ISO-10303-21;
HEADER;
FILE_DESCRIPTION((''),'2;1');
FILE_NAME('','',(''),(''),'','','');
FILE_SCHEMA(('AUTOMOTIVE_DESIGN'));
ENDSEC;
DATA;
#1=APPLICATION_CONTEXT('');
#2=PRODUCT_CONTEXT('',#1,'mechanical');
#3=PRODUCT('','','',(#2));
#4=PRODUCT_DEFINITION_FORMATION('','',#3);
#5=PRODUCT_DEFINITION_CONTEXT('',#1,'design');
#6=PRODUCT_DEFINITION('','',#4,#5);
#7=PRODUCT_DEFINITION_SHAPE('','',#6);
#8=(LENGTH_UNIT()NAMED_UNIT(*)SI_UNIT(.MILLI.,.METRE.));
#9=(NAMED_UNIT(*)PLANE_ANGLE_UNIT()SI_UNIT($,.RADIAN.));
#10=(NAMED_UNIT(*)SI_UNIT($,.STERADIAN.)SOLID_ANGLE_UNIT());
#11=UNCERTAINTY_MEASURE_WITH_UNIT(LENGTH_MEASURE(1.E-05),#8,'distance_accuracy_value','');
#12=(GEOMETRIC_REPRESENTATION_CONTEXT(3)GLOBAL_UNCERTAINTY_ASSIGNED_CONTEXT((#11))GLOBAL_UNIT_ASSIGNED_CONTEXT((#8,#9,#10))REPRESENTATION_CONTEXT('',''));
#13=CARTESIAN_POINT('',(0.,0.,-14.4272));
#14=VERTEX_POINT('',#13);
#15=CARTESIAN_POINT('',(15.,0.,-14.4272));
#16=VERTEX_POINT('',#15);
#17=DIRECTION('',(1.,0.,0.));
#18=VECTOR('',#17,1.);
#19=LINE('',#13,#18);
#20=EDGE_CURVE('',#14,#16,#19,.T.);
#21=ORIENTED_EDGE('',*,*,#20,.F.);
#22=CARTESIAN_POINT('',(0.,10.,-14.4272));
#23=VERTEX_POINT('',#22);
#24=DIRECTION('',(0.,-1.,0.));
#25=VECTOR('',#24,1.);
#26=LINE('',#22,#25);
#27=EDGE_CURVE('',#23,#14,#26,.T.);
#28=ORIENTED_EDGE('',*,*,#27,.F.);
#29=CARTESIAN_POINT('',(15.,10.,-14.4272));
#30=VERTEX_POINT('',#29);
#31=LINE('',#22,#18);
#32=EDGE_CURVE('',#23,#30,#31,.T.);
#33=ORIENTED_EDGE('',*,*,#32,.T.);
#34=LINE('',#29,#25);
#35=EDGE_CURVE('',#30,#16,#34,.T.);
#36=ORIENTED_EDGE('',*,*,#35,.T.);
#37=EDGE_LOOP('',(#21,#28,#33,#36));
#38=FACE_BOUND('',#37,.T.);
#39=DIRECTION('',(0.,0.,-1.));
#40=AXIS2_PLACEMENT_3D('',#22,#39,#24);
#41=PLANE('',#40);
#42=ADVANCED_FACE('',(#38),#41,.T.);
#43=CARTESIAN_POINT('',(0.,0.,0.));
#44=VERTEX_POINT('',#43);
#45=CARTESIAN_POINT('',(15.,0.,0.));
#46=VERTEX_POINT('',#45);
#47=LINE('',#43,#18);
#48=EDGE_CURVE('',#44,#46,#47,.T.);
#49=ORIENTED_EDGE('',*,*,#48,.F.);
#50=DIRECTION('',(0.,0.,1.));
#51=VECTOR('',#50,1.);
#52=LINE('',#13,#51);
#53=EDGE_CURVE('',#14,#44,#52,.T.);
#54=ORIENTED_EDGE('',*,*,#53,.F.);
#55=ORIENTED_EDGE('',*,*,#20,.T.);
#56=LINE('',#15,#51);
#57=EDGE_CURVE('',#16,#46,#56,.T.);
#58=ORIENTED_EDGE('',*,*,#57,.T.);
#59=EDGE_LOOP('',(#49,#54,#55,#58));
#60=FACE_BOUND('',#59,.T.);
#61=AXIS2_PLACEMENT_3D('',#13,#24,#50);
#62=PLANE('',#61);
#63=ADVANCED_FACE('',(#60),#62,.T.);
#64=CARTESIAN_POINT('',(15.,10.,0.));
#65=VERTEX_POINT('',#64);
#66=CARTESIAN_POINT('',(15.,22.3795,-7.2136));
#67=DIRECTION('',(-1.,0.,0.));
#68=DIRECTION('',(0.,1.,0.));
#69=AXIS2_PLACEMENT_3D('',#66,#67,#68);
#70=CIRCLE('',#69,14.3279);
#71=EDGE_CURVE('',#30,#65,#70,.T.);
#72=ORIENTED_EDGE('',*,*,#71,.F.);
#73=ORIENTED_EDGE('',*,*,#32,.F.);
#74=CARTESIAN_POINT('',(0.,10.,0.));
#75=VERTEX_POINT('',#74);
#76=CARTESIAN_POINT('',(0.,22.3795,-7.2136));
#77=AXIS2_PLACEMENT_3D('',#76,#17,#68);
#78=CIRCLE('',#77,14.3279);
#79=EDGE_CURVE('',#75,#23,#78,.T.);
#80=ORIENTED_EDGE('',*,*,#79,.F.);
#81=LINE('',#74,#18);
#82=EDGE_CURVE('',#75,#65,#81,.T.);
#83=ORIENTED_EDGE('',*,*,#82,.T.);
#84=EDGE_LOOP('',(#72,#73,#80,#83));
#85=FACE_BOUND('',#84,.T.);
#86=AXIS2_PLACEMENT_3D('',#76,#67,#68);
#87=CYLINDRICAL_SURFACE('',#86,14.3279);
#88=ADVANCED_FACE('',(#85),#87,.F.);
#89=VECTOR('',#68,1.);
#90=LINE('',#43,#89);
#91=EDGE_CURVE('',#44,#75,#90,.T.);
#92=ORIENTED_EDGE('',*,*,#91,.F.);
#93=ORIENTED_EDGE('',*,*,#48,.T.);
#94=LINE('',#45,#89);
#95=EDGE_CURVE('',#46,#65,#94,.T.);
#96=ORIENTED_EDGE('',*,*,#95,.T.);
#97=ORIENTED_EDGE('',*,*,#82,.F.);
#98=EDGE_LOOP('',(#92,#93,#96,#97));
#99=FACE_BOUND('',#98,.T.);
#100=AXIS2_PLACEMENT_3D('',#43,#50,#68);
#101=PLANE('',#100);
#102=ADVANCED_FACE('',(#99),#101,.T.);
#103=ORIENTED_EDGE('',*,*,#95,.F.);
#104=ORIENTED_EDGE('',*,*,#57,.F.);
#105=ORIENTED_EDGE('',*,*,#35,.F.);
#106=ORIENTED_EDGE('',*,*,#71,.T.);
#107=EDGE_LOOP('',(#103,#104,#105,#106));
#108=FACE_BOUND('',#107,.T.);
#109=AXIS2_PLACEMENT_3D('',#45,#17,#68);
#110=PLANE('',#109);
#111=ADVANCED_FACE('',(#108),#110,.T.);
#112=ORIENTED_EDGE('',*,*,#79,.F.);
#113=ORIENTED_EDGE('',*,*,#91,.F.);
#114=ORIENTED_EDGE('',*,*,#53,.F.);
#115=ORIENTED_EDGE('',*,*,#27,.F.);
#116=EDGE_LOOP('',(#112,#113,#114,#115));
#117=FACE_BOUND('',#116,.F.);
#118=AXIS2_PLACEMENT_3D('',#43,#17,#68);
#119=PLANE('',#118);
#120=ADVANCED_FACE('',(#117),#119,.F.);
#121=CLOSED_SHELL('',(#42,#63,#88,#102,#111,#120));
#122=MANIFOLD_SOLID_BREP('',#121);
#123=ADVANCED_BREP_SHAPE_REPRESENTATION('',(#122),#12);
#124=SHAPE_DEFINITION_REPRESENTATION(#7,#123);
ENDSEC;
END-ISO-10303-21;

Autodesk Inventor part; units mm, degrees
ref_plane "YZ Plane" through (0, 0, 0) normal (1, 0, 0) x (0, 1, 0)
ref_plane "XZ Plane" through (0, 0, 0) normal (0, 1, 0) x (-1, 0, 0)
ref_plane "XY Plane" through (0, 0, 0) normal (0, 0, 1) x (1, 0, 0)
sketch "Sketch1" plane through (0, 0, 0) normal (1, 0, 0) x (0, 1, 0)
  line L0 (0, 0) -> (10, 0)
  line L1 (10, 0) -> (10, -14.4272)
  line L2 (10, -14.4272) -> (0, -14.4272)
  line L3 (0, -14.4272) -> (0, 0)
  circle A0 centre (22.3795, -7.2136) radius 14.3279
  dimension "d3" = 28.6558
  dimension "d0" = 10
  dimension "d1" = 14.4272
  dimension "d4" = 12.3795
extrude "Extrusion1" add sketch "Sketch1" along normal blind 15 contours L0 A0 L2 L3 | L1 A0 picked at (9.5878, -8.7004)
extrude "Extrusion2" cut sketch "Sketch1" along normal blind 40 contours A0 L1 | L1 A0
properties part number "repose rond tournant 1"
